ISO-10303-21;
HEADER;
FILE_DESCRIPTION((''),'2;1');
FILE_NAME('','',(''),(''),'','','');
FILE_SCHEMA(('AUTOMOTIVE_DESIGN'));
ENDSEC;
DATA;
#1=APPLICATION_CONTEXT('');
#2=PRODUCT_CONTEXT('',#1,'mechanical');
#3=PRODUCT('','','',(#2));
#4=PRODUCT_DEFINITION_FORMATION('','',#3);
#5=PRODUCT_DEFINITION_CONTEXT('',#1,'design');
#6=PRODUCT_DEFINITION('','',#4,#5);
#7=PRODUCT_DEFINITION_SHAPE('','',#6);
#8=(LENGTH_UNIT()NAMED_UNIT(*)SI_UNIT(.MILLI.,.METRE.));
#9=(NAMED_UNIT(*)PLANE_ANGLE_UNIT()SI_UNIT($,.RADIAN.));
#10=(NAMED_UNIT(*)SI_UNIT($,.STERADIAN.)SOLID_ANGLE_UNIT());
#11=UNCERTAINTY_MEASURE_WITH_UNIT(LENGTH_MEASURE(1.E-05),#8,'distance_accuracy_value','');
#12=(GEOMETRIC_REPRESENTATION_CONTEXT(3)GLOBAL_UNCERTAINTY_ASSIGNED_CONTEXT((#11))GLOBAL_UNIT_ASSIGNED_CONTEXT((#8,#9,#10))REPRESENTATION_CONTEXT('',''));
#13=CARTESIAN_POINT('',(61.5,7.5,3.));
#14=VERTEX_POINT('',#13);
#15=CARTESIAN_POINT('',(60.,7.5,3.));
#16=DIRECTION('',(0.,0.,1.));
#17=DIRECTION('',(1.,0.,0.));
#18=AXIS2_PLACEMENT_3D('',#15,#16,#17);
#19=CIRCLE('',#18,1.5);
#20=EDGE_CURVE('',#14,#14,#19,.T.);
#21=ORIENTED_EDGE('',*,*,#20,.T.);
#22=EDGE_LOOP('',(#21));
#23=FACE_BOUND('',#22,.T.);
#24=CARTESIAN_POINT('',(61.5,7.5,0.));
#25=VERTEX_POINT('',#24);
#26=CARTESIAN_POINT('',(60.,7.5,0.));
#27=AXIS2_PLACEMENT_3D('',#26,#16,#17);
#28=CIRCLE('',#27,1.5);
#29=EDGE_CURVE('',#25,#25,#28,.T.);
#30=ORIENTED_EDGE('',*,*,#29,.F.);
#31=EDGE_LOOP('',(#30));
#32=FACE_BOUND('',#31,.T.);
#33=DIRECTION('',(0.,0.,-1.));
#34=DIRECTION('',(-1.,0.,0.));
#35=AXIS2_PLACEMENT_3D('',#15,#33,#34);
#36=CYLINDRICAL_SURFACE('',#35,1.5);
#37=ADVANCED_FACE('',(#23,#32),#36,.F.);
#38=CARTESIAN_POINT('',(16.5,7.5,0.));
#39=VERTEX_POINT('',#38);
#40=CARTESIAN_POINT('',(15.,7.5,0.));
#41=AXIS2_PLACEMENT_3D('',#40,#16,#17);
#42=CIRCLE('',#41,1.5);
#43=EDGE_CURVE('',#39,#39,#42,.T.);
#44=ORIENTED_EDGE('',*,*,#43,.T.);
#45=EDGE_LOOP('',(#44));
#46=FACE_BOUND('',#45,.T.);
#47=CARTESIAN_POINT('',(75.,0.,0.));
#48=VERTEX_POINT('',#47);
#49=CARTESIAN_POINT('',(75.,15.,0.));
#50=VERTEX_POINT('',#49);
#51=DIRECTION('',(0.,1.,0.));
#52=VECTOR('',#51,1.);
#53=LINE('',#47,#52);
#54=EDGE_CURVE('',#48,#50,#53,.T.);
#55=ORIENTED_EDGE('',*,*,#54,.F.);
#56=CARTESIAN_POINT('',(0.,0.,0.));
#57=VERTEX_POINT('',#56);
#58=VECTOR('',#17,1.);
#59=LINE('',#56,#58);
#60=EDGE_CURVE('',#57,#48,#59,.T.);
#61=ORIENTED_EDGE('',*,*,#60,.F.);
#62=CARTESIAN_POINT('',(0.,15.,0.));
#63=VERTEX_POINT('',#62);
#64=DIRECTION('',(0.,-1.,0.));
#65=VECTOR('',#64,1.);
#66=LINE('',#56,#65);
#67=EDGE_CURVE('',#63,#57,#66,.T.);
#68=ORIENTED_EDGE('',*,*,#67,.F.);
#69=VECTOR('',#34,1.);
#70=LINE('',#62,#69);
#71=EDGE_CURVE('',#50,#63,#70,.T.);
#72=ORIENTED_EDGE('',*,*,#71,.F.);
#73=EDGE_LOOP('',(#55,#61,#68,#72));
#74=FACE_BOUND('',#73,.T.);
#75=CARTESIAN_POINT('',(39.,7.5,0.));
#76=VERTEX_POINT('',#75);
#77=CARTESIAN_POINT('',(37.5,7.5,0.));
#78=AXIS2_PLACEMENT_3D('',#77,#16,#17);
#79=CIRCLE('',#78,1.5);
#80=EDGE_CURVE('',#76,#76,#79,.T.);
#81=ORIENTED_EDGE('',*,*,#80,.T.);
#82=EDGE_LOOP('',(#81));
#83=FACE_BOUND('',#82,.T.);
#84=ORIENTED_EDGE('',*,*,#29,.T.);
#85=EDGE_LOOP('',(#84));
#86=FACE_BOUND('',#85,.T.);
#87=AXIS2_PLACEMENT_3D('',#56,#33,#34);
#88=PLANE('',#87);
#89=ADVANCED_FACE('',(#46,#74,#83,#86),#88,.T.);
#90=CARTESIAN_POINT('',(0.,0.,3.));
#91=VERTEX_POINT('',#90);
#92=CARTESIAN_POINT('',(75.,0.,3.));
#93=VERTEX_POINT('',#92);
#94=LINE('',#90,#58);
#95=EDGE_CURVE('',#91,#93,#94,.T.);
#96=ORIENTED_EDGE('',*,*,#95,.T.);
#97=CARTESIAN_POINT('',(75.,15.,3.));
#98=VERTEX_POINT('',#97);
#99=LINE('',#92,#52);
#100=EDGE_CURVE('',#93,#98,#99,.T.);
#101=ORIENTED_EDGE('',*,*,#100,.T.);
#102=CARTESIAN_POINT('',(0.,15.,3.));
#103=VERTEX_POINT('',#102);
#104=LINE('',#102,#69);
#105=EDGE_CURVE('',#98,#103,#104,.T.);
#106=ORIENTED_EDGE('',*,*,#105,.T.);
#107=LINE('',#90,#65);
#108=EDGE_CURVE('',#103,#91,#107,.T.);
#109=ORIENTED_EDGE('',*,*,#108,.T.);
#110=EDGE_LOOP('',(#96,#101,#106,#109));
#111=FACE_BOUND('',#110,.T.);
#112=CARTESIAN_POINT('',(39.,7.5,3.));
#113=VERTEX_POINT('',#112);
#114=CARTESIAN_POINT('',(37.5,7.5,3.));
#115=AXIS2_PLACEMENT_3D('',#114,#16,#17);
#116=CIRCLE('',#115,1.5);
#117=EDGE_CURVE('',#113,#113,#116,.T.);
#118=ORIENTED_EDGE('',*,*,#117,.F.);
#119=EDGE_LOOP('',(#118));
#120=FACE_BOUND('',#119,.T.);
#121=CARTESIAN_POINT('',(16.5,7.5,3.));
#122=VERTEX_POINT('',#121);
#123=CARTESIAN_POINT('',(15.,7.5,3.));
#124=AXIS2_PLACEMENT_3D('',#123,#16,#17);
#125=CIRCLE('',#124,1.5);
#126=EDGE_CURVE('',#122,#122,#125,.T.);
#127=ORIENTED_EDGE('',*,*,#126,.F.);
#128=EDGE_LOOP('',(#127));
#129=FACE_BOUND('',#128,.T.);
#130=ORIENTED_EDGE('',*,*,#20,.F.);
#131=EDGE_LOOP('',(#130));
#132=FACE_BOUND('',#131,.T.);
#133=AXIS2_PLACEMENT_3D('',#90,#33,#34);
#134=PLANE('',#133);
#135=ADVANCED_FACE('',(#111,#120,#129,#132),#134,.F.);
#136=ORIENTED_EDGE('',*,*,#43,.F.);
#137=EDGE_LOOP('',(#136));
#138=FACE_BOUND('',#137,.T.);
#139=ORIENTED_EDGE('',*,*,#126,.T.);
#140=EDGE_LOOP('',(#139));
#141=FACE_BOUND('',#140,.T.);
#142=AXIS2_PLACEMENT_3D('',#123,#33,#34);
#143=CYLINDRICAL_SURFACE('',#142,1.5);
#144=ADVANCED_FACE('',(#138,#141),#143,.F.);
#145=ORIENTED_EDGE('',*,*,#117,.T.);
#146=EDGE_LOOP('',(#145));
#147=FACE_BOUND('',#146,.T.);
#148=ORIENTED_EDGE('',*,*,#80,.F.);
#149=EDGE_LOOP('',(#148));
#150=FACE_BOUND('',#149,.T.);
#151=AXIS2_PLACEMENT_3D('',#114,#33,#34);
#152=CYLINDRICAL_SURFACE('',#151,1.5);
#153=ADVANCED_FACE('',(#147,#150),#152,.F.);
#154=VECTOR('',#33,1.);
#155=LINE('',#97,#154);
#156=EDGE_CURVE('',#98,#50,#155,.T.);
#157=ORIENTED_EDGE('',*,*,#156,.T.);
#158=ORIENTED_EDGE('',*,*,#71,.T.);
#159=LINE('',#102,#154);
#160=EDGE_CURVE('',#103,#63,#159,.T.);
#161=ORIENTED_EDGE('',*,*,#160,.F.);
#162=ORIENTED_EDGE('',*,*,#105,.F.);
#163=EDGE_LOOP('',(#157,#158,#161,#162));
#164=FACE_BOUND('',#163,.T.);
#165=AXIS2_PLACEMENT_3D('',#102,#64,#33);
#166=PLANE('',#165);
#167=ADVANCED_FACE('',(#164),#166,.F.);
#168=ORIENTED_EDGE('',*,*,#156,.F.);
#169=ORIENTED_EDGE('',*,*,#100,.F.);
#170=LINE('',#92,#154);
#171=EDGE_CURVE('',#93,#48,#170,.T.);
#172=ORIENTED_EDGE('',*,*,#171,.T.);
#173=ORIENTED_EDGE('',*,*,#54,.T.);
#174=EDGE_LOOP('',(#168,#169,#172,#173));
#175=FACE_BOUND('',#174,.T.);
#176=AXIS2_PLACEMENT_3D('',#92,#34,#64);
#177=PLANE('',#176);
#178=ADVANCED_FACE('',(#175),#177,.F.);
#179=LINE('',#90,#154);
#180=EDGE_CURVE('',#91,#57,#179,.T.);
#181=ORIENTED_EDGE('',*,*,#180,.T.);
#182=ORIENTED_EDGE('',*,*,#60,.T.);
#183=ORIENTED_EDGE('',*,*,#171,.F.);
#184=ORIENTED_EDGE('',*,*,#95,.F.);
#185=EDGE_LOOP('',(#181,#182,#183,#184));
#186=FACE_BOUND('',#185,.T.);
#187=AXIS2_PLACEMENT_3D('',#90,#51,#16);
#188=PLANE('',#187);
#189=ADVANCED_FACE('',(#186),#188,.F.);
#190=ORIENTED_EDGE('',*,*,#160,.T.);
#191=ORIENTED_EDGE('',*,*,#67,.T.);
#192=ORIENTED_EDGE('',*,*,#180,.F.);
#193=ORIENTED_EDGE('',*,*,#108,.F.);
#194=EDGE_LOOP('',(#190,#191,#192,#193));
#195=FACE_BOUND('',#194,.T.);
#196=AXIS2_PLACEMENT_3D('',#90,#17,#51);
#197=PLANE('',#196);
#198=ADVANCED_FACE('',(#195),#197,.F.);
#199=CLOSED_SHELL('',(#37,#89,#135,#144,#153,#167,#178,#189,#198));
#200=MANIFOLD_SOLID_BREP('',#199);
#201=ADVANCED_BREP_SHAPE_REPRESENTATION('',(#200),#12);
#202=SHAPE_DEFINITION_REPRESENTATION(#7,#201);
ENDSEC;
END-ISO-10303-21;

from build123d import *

# Parameters (mm, degrees)
SKETCH1_W           = 75
SKETCH1_H           = 15
SKETCH1_R           = 1.5
BOSS_EXTRUDE1_DEPTH = 3


with BuildPart() as part:
    # Sketch1 → Boss-Extrude1 (new body)
    with BuildSketch(Plane.XY):
        with Locations((37.5, 7.5)):
            Rectangle(SKETCH1_W, SKETCH1_H)
        with Locations((15, 7.5)):
            Circle(SKETCH1_R, mode=Mode.SUBTRACT)
        with Locations((37.5, 7.5)):
            Circle(SKETCH1_R, mode=Mode.SUBTRACT)
        with Locations((60, 7.5)):
            Circle(SKETCH1_R, mode=Mode.SUBTRACT)
    extrude(amount=BOSS_EXTRUDE1_DEPTH)


solid = part.part
